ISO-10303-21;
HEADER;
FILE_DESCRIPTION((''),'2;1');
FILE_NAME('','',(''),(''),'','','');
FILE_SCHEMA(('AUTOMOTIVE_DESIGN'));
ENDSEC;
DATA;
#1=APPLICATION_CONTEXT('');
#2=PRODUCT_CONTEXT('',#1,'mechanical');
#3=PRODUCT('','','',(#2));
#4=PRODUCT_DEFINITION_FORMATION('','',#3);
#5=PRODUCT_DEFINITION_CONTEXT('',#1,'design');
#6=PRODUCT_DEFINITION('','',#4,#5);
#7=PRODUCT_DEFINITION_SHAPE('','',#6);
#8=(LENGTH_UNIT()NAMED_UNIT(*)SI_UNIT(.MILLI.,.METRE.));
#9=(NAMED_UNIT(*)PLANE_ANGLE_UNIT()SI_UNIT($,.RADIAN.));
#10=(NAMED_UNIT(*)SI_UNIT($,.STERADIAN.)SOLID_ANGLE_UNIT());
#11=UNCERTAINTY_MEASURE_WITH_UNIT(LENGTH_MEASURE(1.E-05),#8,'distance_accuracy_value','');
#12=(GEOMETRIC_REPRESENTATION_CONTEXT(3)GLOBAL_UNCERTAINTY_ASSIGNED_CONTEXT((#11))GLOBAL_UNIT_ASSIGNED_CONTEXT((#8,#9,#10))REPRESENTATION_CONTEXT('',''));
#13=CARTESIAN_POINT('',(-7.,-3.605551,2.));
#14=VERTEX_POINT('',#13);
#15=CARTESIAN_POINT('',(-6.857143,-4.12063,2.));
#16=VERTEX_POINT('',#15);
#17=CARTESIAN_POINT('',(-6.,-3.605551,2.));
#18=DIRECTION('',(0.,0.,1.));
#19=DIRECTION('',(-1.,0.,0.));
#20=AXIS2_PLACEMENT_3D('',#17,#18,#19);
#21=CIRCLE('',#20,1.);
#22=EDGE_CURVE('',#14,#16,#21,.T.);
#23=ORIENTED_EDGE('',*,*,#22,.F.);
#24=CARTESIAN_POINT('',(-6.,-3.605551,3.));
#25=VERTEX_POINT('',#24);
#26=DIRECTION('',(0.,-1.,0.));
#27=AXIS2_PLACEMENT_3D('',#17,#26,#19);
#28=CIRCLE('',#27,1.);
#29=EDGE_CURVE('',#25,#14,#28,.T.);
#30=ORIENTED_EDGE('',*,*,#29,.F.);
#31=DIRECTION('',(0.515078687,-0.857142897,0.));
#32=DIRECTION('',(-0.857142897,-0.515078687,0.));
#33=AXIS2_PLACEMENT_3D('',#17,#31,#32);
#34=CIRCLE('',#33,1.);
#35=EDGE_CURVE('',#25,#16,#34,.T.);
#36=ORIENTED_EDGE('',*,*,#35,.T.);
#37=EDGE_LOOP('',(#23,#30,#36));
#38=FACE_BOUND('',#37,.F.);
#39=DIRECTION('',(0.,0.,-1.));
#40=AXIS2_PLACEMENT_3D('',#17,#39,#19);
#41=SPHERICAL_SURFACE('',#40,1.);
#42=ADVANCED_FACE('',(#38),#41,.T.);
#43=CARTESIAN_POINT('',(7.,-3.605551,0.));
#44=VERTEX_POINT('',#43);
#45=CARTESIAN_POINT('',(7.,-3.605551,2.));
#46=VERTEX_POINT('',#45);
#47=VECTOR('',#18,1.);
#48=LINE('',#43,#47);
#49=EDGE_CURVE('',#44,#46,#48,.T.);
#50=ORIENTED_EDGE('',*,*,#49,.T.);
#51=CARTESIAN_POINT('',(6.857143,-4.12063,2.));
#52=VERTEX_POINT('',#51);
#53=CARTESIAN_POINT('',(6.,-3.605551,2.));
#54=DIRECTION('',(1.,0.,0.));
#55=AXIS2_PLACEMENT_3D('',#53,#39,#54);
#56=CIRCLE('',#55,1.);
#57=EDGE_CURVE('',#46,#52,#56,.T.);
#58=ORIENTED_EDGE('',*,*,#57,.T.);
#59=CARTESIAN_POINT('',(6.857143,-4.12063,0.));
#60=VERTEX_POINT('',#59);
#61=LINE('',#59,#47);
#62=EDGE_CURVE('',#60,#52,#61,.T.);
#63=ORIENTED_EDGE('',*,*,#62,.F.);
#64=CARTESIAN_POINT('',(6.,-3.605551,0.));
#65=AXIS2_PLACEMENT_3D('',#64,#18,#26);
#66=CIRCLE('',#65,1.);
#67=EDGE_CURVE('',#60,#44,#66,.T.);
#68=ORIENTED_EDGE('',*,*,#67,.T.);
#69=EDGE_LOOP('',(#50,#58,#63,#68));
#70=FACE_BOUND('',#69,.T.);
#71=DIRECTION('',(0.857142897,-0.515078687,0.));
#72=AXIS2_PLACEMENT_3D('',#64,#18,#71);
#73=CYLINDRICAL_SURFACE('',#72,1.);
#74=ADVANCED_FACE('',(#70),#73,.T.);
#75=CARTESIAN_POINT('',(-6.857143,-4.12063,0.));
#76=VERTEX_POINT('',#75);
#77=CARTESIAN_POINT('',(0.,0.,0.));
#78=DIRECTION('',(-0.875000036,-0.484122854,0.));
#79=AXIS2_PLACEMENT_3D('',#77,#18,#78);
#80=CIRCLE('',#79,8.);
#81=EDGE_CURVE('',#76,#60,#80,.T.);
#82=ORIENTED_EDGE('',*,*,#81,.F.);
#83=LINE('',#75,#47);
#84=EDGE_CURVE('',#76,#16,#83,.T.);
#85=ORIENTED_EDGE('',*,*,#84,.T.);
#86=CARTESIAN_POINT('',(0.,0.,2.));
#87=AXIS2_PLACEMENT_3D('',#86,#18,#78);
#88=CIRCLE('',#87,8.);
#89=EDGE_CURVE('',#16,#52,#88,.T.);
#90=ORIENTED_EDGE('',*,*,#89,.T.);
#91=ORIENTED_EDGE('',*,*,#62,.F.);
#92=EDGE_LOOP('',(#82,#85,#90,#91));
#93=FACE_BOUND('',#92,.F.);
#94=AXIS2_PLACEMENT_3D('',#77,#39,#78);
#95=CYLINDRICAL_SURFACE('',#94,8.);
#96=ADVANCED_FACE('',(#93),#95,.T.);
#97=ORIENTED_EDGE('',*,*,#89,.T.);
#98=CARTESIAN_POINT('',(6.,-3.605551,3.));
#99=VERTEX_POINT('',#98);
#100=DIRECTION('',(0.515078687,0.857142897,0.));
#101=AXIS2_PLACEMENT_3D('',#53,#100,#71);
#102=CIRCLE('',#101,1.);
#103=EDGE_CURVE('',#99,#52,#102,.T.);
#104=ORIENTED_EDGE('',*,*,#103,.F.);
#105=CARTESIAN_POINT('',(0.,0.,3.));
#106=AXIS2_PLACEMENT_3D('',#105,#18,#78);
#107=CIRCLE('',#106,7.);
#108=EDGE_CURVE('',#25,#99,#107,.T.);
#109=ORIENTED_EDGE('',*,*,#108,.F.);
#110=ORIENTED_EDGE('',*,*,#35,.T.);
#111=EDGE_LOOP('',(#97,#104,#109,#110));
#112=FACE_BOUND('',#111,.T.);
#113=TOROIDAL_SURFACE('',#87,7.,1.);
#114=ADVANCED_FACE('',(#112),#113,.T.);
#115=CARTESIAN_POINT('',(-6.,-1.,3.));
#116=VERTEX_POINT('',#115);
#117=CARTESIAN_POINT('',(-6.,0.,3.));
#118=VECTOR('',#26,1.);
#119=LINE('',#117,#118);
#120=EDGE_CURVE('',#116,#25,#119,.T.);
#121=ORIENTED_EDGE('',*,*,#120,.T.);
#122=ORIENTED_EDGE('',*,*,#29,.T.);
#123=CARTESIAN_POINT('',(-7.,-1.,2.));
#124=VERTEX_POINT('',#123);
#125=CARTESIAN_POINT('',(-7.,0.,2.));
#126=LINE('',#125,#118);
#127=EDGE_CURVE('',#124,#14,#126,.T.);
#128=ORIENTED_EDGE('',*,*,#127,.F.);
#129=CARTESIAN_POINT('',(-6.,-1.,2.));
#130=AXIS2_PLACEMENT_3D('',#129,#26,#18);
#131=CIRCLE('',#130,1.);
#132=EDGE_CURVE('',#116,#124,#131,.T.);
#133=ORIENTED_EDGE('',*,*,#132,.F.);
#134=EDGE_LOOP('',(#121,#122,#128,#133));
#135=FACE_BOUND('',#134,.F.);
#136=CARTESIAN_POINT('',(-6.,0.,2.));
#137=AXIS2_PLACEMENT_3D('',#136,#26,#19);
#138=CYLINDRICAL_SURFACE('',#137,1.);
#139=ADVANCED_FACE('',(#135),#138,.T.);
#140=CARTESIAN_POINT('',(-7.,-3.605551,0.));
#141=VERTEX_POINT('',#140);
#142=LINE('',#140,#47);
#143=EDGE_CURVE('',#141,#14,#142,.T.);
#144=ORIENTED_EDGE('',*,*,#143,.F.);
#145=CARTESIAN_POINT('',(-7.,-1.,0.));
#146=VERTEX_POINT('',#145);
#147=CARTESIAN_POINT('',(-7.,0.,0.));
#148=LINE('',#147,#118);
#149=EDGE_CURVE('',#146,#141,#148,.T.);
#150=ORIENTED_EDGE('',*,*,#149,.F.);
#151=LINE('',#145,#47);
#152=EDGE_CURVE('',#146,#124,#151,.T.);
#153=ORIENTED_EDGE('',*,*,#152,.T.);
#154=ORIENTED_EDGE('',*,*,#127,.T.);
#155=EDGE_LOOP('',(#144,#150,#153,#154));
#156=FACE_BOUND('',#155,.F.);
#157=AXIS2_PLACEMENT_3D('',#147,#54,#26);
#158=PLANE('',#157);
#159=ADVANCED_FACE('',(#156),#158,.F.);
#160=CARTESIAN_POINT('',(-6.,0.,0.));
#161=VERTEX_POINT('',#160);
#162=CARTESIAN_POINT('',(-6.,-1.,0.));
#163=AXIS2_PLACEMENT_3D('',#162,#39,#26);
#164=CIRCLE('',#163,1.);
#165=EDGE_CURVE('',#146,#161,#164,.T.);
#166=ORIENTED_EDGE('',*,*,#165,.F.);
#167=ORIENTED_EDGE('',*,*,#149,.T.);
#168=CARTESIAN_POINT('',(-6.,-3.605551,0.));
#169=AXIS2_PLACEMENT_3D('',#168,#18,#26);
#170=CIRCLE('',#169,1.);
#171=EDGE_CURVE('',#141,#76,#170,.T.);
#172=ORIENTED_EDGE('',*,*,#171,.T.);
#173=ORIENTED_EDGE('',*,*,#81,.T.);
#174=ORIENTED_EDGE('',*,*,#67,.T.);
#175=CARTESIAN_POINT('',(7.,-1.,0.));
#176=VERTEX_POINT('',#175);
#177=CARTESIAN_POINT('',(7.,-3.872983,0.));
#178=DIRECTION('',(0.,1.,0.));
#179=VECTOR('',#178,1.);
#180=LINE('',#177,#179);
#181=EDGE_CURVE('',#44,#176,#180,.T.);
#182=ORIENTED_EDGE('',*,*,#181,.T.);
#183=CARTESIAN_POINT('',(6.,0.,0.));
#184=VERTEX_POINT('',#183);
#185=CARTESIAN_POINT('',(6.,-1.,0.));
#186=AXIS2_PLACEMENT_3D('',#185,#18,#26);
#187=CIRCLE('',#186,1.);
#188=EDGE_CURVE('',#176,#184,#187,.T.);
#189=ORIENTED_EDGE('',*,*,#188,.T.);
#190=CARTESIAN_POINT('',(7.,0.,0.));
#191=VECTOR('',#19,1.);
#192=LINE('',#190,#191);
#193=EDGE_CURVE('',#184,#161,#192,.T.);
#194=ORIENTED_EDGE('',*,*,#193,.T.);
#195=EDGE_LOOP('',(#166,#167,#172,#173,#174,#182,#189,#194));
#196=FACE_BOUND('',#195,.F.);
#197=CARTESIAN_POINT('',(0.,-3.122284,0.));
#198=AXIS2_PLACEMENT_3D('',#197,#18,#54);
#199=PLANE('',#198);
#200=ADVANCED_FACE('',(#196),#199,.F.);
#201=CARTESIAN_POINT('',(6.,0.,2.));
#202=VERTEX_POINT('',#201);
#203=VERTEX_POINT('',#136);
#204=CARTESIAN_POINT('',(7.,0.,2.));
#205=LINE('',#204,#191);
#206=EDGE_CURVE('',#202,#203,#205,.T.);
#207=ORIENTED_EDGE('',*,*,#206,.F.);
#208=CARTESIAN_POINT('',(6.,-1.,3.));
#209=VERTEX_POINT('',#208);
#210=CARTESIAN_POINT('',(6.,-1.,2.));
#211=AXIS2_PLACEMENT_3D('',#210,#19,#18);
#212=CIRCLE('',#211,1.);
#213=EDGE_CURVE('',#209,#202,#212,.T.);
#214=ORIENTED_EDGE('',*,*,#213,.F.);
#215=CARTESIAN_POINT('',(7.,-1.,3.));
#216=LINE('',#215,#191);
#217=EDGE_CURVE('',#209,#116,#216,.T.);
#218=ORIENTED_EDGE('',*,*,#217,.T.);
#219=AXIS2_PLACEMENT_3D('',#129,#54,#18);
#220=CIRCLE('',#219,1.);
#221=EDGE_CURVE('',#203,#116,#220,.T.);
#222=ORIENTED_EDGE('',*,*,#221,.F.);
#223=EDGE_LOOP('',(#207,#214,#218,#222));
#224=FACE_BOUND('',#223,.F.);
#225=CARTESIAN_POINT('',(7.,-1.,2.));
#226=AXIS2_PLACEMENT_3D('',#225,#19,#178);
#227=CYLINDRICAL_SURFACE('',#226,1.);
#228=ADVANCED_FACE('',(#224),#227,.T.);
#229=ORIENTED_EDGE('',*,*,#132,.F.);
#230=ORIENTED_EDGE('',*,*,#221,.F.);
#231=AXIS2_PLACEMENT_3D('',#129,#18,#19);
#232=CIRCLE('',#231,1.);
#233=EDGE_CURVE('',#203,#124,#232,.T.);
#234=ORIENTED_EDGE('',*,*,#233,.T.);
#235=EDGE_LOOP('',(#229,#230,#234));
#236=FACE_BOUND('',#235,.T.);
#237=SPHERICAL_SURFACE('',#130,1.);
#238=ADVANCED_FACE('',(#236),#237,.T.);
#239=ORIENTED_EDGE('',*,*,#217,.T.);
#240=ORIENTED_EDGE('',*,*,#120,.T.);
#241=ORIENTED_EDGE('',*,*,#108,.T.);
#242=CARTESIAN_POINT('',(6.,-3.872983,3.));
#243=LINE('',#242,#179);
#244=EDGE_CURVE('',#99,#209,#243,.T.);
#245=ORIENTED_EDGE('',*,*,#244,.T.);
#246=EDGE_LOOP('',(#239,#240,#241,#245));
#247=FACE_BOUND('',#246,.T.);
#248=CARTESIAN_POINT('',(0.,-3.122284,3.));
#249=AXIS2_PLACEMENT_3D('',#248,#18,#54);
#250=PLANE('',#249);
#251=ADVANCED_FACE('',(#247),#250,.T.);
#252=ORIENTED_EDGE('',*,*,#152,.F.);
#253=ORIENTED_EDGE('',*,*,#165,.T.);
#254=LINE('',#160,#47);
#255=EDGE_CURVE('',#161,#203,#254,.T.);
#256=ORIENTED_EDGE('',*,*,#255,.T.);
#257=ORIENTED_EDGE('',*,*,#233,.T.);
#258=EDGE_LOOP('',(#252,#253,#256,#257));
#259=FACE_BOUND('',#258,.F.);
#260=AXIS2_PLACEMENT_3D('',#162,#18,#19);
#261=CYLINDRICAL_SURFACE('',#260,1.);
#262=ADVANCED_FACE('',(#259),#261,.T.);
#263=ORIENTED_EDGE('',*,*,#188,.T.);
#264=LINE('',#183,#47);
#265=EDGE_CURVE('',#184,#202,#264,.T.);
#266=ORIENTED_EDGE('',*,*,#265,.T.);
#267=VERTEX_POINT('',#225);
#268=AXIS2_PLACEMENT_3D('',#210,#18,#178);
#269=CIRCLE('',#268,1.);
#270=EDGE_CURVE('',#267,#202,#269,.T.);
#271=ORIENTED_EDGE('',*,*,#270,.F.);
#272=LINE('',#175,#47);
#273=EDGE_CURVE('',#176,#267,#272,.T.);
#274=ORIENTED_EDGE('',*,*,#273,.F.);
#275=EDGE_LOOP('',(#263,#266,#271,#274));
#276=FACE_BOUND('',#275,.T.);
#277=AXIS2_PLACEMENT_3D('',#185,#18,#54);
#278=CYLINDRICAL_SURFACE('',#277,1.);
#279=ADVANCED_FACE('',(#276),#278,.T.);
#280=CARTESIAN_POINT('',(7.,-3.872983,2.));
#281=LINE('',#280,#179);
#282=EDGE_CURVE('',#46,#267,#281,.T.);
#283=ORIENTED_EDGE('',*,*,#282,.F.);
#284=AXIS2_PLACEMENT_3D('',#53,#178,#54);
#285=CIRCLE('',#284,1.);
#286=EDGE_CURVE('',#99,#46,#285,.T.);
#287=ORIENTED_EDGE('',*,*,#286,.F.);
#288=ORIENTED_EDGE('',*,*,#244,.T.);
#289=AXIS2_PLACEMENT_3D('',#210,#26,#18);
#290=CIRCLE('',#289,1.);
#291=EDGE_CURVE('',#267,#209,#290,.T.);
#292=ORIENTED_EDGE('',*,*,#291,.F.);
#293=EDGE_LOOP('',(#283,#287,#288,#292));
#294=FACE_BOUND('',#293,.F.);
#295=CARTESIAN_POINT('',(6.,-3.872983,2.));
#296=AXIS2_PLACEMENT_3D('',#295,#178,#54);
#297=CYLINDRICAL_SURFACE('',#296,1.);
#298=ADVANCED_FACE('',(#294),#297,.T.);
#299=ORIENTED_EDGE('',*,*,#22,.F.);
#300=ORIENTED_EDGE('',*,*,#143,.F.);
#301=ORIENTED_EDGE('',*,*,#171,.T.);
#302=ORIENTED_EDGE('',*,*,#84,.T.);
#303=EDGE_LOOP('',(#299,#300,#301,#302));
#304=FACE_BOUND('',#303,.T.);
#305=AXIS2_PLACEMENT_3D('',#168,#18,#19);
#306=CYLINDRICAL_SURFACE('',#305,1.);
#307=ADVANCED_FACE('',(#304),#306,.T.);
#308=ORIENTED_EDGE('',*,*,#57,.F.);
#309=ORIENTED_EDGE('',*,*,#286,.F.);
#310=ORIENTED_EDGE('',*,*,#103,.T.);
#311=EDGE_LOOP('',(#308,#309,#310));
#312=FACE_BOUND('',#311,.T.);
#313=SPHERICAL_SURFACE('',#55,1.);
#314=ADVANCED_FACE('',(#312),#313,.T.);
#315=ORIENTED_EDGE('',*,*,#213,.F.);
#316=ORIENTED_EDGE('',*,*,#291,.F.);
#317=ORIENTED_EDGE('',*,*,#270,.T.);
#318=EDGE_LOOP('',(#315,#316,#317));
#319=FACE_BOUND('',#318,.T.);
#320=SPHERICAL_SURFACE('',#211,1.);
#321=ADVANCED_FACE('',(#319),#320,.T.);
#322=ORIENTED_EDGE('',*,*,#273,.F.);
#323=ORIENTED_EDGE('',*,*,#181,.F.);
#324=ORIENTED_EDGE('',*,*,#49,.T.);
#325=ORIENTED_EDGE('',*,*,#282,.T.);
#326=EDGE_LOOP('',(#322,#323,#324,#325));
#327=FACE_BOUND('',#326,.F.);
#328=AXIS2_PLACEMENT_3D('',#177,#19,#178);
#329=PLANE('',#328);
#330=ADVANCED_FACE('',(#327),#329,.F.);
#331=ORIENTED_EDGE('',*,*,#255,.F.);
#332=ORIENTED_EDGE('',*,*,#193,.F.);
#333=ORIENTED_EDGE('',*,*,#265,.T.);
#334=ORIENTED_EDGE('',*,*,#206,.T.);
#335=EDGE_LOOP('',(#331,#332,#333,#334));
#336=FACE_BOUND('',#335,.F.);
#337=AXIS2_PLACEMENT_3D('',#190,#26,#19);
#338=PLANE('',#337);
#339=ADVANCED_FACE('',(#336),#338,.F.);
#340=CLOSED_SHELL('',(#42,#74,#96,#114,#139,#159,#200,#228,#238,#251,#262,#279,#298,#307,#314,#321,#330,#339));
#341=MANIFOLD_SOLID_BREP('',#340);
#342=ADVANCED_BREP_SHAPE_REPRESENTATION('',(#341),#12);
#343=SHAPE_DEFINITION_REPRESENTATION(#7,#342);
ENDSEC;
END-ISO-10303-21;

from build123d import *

# Parameters (mm, degrees)
F1_DEPTH = 3
F2_R     = 1


with BuildPart() as f1:
    # F0 (on Top) → F1 (new body)
    with BuildSketch(Plane.XY):
        with BuildLine():
            Line((-7, 0), (-7, -3.872983))
            ThreePointArc((-7, -3.872983), (0, -8), (7, -3.872983))
            Line((7, -3.872983), (7, 0))
            Line((7, 0), (0, 0))
            Line((0, 0), (-7, 0))
        make_face()
    extrude(amount=F1_DEPTH)

    # F2
    f2_edges = [f1.edges().sort_by_distance(p)[0] for p in [
        (-7, -1.936492, 3),
        (0, 0, 3),
        (7, -1.936492, 3),
        (0, -8, 3),
        (-7, -3.872983, 1.5),
        (-7, 0, 1.5),
        (7, -3.872983, 1.5),
        (7, 0, 1.5),
    ]]
    fillet(f2_edges, radius=F2_R)


solid = f1.part
